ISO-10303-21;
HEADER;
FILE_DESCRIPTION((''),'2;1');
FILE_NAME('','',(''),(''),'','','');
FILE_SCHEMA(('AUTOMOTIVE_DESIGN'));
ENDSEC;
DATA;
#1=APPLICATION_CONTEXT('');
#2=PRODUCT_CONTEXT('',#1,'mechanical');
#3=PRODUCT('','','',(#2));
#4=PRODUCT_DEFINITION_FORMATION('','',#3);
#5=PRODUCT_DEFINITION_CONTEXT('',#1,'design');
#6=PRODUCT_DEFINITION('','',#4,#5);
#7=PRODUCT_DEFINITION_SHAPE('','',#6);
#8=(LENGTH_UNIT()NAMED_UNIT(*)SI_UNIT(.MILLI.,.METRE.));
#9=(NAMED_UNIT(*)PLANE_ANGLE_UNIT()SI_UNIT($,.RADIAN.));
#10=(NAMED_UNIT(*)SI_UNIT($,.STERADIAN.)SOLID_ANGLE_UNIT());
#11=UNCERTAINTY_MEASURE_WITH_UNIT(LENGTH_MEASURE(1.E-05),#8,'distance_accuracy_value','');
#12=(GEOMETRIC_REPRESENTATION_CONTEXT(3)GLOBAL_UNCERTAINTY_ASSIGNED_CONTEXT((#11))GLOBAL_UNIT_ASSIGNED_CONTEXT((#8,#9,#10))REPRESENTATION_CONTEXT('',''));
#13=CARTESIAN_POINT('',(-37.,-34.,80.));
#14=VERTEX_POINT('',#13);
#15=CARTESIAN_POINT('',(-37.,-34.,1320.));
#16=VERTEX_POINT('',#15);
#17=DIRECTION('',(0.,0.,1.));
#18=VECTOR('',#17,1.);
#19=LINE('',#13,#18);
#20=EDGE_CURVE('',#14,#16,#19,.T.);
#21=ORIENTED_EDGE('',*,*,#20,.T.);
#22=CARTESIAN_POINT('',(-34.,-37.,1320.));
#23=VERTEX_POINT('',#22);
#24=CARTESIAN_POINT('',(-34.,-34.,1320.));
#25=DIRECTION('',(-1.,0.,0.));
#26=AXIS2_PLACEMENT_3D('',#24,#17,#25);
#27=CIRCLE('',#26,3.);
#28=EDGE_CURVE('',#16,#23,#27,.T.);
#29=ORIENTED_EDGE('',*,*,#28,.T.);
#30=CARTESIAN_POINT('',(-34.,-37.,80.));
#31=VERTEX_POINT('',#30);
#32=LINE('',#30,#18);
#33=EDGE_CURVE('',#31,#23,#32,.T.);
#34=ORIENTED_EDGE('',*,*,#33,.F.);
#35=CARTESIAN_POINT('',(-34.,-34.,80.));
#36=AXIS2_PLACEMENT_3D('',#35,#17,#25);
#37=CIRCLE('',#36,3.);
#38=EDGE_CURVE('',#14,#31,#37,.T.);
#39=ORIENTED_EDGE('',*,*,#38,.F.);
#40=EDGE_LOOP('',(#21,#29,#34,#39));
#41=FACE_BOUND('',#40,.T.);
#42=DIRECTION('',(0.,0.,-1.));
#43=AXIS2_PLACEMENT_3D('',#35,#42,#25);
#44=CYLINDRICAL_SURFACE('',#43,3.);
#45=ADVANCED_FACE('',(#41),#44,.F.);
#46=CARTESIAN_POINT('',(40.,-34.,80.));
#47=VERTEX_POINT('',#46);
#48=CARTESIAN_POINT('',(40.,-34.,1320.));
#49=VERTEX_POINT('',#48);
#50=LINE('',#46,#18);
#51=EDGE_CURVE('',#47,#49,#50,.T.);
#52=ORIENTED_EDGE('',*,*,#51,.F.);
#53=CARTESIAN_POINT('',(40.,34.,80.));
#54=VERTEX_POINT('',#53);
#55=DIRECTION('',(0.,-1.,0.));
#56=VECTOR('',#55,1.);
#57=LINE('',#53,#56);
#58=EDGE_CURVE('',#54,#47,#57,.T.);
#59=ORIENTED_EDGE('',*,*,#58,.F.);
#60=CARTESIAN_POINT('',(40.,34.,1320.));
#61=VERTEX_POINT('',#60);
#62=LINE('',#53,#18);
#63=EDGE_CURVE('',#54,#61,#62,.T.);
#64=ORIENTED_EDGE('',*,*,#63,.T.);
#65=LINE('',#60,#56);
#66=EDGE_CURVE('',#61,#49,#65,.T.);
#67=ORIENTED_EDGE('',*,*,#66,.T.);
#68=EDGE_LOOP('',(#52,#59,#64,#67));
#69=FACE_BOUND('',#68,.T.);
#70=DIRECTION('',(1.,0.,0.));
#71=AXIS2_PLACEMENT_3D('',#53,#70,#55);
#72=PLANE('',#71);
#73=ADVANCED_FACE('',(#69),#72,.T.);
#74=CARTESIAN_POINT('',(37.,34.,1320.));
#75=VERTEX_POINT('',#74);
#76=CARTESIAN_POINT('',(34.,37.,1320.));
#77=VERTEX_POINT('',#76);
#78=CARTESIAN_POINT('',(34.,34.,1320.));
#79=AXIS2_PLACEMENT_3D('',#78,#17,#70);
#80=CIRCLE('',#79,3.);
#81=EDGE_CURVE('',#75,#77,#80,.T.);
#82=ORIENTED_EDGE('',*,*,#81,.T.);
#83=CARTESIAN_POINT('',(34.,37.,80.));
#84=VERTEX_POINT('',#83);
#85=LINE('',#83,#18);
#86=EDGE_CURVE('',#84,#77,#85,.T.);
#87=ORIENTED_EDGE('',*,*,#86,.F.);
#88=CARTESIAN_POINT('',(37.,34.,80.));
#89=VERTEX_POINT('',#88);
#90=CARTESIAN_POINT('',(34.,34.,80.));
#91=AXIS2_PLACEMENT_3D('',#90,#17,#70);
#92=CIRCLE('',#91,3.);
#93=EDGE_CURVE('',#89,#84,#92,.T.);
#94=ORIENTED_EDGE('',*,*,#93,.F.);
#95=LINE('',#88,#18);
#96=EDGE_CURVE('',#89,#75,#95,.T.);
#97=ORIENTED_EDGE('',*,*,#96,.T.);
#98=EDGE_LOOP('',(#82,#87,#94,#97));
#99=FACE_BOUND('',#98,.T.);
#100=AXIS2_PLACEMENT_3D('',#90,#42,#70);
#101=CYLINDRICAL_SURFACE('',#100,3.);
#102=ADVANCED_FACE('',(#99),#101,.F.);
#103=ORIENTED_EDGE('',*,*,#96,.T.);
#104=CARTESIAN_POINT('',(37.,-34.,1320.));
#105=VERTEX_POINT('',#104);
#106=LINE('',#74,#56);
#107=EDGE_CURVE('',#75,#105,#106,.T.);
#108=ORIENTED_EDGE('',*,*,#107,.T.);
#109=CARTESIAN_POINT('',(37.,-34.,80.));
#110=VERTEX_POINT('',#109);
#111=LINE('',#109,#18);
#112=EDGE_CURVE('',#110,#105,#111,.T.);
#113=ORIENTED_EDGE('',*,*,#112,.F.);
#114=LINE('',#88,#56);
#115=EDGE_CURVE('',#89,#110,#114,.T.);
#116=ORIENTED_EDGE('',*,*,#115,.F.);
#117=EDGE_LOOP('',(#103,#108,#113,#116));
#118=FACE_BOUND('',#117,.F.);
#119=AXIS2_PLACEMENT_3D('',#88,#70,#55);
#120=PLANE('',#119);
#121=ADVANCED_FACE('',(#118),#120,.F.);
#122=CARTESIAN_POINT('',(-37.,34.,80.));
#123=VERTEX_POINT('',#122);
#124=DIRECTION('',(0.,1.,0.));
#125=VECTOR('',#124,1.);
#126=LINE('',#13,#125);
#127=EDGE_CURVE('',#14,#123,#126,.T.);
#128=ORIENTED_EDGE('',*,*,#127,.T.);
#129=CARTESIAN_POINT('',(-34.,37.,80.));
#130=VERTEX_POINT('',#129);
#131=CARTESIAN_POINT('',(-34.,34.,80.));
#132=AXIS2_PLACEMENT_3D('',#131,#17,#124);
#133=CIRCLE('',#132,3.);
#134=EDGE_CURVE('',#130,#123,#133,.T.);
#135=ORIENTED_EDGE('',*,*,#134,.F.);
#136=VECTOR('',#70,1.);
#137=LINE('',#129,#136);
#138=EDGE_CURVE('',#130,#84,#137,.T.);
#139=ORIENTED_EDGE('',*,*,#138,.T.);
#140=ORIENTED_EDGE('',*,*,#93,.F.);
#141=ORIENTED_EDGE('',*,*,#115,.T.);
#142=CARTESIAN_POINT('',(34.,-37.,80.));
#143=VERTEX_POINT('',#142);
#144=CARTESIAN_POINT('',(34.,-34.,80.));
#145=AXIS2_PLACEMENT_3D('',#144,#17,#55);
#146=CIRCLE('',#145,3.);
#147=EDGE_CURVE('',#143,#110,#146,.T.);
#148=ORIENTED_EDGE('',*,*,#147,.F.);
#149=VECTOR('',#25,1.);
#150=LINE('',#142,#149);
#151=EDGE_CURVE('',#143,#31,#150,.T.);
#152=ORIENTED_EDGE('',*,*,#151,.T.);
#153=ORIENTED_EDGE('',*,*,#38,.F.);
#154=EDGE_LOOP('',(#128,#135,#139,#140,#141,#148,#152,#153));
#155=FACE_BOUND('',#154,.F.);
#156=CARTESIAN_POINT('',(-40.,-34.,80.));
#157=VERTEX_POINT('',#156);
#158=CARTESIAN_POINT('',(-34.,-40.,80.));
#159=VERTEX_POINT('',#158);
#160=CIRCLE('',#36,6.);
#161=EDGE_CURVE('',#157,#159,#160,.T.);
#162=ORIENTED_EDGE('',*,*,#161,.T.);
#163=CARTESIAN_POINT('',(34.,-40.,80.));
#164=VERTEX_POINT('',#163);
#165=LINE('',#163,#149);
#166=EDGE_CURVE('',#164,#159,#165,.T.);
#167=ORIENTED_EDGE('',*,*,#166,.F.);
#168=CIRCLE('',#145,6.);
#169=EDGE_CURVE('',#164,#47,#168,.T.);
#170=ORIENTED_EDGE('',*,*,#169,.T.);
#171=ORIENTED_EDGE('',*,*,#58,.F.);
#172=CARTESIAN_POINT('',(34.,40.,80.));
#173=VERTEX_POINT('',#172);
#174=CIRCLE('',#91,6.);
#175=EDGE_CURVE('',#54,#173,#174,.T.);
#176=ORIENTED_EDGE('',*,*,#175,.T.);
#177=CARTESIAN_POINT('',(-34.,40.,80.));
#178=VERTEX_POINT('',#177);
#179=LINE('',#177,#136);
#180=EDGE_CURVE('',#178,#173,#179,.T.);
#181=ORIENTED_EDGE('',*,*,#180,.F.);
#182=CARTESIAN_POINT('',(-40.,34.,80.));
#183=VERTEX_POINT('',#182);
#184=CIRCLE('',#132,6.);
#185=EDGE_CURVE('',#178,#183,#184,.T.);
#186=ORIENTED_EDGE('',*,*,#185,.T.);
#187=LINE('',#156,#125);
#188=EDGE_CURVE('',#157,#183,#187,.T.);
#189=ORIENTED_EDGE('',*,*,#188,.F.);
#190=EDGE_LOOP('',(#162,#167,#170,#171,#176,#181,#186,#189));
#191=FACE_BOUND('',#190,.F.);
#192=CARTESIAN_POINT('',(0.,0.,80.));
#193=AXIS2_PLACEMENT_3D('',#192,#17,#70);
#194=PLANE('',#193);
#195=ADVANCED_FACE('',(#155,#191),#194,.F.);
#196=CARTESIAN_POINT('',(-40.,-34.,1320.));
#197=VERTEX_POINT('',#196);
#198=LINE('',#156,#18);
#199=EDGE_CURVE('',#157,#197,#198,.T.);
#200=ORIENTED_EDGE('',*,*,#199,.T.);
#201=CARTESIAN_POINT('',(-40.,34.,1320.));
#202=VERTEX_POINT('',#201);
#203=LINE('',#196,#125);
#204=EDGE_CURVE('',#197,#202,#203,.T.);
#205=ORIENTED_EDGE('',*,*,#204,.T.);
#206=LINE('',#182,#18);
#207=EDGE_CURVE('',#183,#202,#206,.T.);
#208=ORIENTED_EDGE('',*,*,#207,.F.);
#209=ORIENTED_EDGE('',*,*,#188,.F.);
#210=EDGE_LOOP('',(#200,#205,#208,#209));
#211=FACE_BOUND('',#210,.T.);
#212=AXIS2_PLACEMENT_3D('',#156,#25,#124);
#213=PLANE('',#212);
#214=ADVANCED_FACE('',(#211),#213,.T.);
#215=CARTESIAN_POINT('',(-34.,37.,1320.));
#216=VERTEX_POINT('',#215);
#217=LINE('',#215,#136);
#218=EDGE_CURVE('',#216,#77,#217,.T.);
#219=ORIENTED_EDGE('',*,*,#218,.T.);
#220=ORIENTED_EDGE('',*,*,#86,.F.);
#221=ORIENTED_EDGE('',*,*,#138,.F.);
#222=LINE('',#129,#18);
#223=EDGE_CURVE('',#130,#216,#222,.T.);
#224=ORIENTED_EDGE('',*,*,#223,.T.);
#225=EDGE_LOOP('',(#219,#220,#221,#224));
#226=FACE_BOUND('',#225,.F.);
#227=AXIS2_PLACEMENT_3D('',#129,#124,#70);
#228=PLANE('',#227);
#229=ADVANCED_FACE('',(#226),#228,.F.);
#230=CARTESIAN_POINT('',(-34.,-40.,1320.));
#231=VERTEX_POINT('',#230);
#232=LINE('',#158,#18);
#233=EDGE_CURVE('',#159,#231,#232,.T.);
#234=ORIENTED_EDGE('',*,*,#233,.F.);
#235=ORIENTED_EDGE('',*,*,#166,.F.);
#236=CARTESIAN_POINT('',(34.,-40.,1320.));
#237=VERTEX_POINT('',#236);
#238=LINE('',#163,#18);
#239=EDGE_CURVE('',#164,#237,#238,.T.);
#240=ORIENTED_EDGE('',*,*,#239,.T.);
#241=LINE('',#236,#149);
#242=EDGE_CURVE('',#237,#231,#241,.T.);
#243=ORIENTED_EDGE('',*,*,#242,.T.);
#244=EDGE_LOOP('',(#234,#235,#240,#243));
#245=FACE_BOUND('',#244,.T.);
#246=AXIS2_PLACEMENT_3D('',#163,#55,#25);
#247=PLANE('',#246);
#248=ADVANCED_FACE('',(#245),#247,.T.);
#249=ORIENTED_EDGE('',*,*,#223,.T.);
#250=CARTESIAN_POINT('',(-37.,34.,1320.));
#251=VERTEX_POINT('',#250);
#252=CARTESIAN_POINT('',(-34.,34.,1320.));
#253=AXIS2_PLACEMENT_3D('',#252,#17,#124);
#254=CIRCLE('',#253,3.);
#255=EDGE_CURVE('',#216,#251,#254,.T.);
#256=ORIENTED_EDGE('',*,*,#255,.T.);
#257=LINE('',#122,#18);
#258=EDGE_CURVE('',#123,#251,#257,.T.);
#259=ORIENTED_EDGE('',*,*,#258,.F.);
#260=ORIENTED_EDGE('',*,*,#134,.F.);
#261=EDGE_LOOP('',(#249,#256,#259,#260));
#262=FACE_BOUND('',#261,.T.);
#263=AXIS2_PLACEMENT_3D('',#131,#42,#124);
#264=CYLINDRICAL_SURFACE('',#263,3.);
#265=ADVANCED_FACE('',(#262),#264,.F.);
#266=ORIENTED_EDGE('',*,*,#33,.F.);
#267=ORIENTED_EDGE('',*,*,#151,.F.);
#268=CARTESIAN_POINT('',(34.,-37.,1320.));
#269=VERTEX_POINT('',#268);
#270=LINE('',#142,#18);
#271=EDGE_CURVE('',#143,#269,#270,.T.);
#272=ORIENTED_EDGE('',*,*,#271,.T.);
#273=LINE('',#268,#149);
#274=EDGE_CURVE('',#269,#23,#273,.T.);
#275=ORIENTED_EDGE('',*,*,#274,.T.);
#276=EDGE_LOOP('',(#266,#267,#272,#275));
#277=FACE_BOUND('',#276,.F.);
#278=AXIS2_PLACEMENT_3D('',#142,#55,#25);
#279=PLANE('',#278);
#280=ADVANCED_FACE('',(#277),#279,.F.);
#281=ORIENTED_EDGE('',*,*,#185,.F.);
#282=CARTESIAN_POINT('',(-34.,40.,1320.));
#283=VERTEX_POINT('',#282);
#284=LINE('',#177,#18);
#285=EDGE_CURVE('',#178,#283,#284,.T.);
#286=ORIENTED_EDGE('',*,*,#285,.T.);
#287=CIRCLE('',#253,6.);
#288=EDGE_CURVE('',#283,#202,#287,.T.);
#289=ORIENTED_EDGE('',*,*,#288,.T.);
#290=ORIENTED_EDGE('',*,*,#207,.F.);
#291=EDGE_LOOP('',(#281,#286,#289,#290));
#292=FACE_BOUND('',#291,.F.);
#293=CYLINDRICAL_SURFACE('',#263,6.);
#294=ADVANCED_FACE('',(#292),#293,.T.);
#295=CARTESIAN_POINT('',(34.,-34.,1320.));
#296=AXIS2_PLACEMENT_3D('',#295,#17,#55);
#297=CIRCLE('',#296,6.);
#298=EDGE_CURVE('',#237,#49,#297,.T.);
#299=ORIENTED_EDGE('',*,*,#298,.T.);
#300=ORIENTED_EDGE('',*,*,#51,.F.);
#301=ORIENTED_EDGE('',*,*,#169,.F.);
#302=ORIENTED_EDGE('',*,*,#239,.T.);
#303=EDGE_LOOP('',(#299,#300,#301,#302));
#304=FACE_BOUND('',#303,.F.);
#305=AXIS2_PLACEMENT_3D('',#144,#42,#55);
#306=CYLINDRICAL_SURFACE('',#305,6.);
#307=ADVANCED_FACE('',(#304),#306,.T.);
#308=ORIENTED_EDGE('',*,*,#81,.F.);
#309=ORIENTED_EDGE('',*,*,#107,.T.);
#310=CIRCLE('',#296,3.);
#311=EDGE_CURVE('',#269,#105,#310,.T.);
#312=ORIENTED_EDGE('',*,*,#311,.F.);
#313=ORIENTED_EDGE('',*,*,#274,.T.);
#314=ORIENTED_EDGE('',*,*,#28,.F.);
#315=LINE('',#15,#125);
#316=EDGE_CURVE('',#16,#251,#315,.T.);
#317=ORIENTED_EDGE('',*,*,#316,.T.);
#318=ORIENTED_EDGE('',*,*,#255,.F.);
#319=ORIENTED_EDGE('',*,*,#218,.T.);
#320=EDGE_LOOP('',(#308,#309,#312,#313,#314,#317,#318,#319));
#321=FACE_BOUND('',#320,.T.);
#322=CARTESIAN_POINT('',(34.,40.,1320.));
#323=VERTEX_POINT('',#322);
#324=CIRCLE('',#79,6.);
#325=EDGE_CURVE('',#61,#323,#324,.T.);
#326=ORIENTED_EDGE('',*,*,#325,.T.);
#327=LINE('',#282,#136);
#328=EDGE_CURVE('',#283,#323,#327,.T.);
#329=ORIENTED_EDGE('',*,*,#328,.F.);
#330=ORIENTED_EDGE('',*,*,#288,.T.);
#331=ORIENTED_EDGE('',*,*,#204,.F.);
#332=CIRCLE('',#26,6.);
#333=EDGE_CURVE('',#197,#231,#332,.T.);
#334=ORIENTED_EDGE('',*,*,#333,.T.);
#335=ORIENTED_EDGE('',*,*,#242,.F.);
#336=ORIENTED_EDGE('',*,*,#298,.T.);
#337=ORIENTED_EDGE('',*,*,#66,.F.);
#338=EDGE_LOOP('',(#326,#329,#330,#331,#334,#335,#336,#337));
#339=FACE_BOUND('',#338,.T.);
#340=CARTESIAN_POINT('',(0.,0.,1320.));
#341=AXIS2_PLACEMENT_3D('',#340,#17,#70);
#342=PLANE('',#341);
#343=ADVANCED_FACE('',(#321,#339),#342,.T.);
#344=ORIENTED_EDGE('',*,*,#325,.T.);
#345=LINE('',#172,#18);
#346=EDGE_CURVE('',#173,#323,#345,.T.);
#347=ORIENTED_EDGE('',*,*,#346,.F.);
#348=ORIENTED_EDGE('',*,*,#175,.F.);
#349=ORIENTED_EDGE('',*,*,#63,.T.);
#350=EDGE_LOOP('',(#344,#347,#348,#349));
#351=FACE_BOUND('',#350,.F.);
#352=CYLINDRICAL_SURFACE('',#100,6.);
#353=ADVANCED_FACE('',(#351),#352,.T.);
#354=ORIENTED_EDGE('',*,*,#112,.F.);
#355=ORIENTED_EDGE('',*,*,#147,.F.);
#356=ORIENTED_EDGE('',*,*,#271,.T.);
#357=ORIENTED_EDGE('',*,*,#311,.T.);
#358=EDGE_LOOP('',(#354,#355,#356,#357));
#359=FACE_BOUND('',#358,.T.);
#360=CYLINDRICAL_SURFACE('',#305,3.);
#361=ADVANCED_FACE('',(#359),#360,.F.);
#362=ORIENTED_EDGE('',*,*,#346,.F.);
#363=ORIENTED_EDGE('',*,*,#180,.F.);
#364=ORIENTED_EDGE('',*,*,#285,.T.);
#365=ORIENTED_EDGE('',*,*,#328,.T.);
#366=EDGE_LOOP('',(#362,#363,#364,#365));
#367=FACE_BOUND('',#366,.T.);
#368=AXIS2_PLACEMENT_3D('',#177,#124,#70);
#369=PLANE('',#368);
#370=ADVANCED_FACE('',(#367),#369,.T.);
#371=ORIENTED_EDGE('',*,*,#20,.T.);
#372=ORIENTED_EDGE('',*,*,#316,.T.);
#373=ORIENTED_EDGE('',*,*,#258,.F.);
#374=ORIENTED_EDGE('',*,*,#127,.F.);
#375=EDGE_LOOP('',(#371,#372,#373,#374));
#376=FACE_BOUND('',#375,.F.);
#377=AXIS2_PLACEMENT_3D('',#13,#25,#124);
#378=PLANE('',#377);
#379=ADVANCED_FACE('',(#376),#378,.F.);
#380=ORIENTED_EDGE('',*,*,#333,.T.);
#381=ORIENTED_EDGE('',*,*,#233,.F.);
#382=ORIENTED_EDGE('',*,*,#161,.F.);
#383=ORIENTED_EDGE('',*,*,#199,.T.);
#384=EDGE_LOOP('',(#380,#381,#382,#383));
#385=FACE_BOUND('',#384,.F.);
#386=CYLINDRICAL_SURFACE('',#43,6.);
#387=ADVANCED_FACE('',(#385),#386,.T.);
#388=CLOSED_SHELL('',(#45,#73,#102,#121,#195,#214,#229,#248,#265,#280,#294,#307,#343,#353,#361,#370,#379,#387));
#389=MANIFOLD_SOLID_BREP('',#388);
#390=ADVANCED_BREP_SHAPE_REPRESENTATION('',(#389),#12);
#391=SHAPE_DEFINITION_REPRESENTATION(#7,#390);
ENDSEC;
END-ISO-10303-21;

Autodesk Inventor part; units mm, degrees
ref_plane "YZ Plane" through (0, 0, 0) normal (1, 0, 0) x (0, 1, 0)
ref_plane "Start Plane" through (0, 0, 80) normal (0, 0, 1) x (1, 0, 0)
ref_plane "End Plane" through (0, 0, 1320) normal (0, 0, 1) x (1, 0, 0)
sketch "Sketch" plane through (0, 0, 0) normal (0, 0, 1) x (1, 0, 0)
  line L0 (-40, -34) -> (-40, 34)
  line L1 (-34, 40) -> (34, 40)
  line L2 (40, 34) -> (40, -34)
  line L3 (34, -40) -> (-34, -40)
  arc A0 (-40, -34) -> (-34, -40) centre (-34, -34) ccw
  arc A1 (40, 34) -> (34, 40) centre (34, 34) ccw
  arc A2 (-34, 40) -> (-40, 34) centre (-34, 34) ccw
  arc A3 (34, -40) -> (40, -34) centre (34, -34) ccw
  arc A4 (-34, 37) -> (-37, 34) centre (-34, 34) ccw
  line L4 (-34, 37) -> (34, 37)
  arc A5 (37, 34) -> (34, 37) centre (34, 34) ccw
  line L5 (37, 34) -> (37, -34)
  arc A6 (34, -37) -> (37, -34) centre (34, -34) ccw
  line L6 (34, -37) -> (-34, -37)
  arc A7 (-37, -34) -> (-34, -37) centre (-34, -34) ccw
  line L7 (-37, -34) -> (-37, 34)
  line L8 (0, 57.7397) -> (0, -57.7397) construction
  line L9 (-57.7397, 0) -> (57.7397, 0) construction
  dimension "d7" = 6
  dimension "d9" = 80
  dimension "d11" = 80
  dimension "d12" = 3
  dimension "d15" = 40
  dimension "d16" = 40
extrude "Body" add sketch "Sketch" along normal up to surface (1240 mm away) from surface at 80
sketch "Sketch3" plane through (0, 0, 0) normal (0, 0, 1) x (1, 0, 0)
  line L0 (0, 0) -> (10, 0)
ref_plane "Work Plane3" through (0, 0, 0) normal (0, -1, 0) x (1, 0, 0)
sketch "Sketch4" plane through (0, 0, 0) normal (0, -1, 0) x (1, 0, 0)
  line L0 (-2, 80) -> (12, 80) projected
  line L1 (-2, 1320) -> (12, 1320) projected
  dimension "d18" = 1240
equation "\"d7\" = G_IR"
equation "\"d9\" = G_W"
equation "\"d11\" = G_H"
equation "\"d12\" = G_T"
equation "\"d15\" = 0.5 * d9"
equation "\"d16\" = 0.5 * d11"
equation "\"d3\" = G_L"
equation "\"G_W\" = 80"
equation "\"G_H\" = 80"
equation "\"G_T\" = 3"
equation "\"G_IR\" = 6"
equation "\"G_L\" = d18"
properties part number "ISO 10799-2 - 80x80x3 - 1240" material "Steel, Mild"
